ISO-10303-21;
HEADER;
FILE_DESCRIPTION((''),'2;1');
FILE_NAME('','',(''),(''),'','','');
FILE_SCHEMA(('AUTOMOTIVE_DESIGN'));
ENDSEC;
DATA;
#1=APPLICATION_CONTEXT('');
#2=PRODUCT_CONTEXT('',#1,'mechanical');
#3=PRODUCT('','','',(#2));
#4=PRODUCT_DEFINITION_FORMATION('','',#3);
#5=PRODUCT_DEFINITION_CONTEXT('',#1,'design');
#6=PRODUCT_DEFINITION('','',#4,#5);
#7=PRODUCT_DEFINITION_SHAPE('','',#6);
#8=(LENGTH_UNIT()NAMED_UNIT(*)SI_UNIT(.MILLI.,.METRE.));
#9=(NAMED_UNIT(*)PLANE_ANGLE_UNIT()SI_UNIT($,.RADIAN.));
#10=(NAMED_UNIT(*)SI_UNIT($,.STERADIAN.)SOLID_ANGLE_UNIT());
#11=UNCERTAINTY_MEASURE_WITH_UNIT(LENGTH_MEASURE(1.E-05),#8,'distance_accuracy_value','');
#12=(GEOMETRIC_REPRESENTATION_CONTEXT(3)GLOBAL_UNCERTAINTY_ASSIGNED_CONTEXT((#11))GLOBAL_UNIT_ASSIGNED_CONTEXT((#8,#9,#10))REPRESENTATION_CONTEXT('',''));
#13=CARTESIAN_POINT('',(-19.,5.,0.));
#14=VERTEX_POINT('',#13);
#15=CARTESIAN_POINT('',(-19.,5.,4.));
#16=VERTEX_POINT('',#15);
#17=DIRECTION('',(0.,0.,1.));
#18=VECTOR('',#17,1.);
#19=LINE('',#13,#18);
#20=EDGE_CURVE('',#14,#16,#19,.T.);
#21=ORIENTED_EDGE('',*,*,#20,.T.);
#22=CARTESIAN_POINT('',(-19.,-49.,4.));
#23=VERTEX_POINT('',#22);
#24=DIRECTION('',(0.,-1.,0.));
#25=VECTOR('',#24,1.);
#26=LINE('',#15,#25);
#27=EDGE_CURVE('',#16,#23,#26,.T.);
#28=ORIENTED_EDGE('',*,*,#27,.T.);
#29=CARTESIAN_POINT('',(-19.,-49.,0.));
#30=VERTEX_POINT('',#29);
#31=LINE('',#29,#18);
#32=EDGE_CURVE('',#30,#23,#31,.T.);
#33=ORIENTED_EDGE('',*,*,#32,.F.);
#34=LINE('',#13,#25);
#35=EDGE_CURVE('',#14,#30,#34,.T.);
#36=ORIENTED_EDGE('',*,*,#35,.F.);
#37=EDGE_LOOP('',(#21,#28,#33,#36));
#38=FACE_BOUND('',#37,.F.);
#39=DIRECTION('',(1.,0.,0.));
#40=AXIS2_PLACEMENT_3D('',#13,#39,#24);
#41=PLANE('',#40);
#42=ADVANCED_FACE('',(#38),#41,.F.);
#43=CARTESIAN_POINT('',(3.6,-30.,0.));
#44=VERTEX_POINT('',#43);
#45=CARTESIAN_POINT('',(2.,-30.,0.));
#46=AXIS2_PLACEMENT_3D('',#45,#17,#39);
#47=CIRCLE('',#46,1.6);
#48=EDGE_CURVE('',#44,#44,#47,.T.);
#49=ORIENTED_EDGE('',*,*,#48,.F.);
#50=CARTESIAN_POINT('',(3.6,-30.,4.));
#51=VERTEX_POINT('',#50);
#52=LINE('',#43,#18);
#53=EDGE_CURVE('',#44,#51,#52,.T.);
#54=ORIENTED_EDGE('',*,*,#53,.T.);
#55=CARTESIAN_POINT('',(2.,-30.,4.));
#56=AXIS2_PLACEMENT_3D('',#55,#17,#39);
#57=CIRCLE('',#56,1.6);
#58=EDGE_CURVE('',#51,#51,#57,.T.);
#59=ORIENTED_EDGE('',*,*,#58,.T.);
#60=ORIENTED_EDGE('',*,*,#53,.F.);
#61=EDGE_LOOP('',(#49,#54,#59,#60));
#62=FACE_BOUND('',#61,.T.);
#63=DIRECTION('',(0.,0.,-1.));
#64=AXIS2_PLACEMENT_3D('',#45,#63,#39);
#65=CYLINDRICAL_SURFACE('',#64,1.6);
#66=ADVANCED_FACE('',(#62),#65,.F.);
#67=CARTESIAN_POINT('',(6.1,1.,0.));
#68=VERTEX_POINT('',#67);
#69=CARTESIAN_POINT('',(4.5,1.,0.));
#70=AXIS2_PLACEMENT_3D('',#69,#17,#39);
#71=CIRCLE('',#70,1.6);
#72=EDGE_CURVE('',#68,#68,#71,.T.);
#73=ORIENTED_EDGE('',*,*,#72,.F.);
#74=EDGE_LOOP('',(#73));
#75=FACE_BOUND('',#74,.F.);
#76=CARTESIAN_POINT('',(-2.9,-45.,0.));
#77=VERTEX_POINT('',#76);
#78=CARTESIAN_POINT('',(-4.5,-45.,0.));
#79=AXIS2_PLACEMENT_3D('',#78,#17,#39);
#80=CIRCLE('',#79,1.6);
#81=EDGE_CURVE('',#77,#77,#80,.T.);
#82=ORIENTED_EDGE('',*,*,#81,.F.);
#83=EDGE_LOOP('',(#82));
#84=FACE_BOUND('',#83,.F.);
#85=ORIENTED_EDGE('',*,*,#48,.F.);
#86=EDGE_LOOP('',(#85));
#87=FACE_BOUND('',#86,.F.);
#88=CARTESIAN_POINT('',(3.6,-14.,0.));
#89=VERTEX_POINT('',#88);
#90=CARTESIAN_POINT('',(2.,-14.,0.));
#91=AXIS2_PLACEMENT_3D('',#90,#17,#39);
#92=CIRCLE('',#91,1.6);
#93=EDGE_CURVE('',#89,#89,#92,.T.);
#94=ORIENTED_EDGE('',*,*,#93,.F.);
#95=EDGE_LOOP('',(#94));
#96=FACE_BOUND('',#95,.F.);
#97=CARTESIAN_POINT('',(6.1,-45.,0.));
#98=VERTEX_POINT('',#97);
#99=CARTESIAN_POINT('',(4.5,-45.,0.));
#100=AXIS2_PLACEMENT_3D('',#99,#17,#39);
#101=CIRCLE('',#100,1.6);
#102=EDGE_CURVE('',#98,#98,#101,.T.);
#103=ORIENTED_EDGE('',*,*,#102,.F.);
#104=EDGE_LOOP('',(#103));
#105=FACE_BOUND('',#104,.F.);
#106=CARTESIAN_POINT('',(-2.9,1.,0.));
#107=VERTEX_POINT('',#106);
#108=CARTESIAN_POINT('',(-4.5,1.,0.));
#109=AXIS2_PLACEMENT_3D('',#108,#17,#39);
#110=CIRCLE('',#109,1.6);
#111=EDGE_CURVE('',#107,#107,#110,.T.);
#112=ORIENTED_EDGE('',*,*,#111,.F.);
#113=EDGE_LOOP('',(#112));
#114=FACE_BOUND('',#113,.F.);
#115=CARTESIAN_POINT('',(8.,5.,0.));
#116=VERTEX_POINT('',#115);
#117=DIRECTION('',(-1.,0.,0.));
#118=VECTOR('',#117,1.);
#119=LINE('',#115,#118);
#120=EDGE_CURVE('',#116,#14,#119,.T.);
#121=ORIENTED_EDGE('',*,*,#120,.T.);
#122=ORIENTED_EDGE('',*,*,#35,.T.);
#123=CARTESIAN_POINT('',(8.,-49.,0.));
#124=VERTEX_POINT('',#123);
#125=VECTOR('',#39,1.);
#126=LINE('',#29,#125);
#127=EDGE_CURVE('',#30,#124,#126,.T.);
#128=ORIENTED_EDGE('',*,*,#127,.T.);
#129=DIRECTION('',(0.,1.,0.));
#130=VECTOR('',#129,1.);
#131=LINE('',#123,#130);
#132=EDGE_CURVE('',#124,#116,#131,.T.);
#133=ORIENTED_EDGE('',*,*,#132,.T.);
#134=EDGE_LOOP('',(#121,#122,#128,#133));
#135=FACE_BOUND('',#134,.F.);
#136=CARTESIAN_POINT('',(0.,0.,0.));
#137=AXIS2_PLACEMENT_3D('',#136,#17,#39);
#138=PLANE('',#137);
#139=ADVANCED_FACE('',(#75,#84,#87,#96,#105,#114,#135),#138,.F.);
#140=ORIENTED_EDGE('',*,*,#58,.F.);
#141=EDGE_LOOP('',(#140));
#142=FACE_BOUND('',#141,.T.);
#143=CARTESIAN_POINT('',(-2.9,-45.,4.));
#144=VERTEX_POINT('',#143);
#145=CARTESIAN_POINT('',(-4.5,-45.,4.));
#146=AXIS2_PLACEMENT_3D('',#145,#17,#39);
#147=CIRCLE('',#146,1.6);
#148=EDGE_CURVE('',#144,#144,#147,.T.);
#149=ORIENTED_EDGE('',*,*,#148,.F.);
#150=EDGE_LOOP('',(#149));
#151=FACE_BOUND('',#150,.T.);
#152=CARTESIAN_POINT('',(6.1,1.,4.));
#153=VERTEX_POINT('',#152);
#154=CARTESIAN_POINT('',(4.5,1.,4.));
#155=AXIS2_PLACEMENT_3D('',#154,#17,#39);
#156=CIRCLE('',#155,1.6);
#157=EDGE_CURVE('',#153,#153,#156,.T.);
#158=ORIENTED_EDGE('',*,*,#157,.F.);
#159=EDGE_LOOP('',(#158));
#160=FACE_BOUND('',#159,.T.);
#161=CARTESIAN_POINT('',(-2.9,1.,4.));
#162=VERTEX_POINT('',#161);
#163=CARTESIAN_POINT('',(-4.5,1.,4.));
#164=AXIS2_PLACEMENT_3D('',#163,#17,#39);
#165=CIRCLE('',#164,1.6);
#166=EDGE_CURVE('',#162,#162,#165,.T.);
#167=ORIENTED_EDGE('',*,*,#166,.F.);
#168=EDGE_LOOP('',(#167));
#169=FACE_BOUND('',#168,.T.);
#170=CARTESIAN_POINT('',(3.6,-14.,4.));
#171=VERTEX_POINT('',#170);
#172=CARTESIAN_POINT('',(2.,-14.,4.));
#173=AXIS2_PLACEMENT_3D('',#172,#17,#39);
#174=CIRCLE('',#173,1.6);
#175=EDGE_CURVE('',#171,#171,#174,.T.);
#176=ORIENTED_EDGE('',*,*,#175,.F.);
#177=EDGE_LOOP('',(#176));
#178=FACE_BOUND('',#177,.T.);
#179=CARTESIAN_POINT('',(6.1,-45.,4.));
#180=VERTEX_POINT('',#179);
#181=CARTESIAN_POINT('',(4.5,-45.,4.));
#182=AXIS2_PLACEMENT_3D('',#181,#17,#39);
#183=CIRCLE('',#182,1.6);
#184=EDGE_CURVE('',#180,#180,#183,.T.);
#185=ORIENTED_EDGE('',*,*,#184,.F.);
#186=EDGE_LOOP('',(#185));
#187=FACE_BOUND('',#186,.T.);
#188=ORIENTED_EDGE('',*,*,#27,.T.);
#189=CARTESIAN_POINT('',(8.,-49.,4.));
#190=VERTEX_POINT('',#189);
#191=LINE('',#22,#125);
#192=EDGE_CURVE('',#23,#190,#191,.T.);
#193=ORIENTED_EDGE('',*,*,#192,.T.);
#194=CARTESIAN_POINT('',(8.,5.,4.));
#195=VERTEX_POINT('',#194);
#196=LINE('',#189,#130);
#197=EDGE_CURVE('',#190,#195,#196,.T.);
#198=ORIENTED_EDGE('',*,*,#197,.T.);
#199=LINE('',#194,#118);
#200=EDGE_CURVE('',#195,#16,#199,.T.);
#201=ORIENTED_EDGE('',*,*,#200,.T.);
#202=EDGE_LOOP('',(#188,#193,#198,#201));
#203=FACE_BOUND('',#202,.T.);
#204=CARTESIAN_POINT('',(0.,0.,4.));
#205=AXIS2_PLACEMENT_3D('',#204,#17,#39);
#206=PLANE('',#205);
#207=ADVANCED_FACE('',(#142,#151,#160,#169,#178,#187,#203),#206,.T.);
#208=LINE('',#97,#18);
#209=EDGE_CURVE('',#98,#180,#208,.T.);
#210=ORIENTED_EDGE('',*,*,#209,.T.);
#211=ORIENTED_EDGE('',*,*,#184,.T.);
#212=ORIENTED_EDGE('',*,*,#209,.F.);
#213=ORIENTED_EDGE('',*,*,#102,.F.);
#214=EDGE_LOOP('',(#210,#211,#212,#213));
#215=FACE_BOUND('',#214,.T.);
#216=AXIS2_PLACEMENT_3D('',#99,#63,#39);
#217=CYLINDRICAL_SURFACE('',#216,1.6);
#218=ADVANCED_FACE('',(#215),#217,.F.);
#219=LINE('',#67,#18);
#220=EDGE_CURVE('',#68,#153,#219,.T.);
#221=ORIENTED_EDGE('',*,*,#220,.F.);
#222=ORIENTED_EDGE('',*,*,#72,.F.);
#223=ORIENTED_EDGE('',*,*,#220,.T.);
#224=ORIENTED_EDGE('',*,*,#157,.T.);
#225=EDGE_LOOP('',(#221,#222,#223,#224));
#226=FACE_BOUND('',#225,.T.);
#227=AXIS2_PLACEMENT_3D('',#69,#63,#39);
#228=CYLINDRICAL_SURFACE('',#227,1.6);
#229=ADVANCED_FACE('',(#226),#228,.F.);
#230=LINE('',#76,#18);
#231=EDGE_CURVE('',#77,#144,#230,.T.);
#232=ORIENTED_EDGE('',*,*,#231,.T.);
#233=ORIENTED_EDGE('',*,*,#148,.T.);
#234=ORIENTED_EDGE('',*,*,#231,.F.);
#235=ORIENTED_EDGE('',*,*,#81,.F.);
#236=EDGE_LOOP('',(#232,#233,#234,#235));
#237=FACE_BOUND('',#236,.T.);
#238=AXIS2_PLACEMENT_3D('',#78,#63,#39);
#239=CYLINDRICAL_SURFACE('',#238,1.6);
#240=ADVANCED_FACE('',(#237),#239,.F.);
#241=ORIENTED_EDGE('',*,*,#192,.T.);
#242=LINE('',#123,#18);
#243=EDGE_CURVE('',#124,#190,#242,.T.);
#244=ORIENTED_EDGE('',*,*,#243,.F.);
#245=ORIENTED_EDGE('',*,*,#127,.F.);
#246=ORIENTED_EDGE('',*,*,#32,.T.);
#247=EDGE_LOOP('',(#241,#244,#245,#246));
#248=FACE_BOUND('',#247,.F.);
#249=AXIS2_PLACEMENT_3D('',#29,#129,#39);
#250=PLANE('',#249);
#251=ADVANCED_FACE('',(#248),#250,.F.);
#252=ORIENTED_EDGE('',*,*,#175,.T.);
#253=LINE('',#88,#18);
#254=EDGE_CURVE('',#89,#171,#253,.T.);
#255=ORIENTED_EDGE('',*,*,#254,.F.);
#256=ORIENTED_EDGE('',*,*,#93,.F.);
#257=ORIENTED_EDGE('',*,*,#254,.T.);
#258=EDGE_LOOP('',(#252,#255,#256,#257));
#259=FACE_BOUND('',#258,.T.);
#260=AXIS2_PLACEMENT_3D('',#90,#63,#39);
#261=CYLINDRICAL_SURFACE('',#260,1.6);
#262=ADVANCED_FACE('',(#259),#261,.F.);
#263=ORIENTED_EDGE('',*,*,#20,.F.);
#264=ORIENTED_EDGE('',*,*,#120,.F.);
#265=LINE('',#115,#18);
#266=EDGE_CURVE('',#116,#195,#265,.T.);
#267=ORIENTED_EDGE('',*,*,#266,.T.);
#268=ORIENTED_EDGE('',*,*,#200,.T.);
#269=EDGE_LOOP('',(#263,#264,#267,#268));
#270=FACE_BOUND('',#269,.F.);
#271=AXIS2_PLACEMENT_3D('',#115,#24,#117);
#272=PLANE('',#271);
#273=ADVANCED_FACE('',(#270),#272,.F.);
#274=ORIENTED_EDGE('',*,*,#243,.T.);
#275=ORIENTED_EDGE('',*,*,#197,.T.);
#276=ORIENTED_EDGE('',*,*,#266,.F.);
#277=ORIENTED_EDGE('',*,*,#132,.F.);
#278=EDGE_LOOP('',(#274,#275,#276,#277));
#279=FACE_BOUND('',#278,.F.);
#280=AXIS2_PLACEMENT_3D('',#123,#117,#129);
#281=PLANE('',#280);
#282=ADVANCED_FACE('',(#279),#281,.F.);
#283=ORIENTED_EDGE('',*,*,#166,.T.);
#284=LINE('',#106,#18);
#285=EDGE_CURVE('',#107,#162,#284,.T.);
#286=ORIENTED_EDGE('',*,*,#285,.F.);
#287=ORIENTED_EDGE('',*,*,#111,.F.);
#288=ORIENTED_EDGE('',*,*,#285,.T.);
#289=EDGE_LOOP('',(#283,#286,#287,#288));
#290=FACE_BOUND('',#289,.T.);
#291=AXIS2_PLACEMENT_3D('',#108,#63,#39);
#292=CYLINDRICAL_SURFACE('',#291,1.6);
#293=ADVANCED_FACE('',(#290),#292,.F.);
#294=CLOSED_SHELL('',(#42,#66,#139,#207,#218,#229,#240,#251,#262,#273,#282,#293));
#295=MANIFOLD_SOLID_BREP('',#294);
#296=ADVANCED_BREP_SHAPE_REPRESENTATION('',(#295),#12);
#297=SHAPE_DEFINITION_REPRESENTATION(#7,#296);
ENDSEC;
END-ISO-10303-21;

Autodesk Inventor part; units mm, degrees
ref_plane "YZ Plane" through (0, 0, 0) normal (1, 0, 0) x (0, 1, 0)
ref_plane "XZ Plane" through (0, 0, 0) normal (0, 1, 0) x (-1, 0, 0)
ref_plane "XY Plane" through (0, 0, 0) normal (0, 0, 1) x (1, 0, 0)
sketch "Эскиз1" plane through (0, 0, 0) normal (0, 0, 1) x (1, 0, 0)
  line L0 (-8, 5) -> (8, 5) construction
  line L1 (8, 5) -> (8, -3) construction
  circle A0 centre (2, -30) radius 1.75 construction
  circle A1 centre (2, -14) radius 1.75 construction
  line L2 (-19, 5) -> (-19, -62) construction
  line L3 (8, 5) -> (-19, 5)
  line L4 (-19, 5) -> (-19, -49)
  line L5 (-19, -49) -> (8, -49)
  line L6 (8, -49) -> (8, 5)
  circle A2 centre (2, -30) radius 1.6
  circle A3 centre (2, -14) radius 1.6
  circle A4 centre (-4.5, -45) radius 2.1 construction
  circle A5 centre (4.5, -45) radius 2.1 construction
  circle A6 centre (-4.5, 1) radius 2.1 construction
  circle A7 centre (4.5, 1) radius 2.1 construction
  circle A8 centre (-4.5, 1) radius 1.6
  circle A9 centre (4.5, 1) radius 1.6
  circle A10 centre (-4.5, -45) radius 1.6
  circle A11 centre (4.5, -45) radius 1.6
  point P0 (0, 0)
  dimension "d0" = 3.2
  dimension "d1" = 3.2
  dimension "d2" = 19
  dimension "d3" = 3.2
  dimension "d4" = 3.2
  dimension "d5" = 3.2
  dimension "d6" = 3.2
extrude "Выдавливание1" add sketch "Эскиз1" along normal blind 4
properties part number "кыша_каретки"
